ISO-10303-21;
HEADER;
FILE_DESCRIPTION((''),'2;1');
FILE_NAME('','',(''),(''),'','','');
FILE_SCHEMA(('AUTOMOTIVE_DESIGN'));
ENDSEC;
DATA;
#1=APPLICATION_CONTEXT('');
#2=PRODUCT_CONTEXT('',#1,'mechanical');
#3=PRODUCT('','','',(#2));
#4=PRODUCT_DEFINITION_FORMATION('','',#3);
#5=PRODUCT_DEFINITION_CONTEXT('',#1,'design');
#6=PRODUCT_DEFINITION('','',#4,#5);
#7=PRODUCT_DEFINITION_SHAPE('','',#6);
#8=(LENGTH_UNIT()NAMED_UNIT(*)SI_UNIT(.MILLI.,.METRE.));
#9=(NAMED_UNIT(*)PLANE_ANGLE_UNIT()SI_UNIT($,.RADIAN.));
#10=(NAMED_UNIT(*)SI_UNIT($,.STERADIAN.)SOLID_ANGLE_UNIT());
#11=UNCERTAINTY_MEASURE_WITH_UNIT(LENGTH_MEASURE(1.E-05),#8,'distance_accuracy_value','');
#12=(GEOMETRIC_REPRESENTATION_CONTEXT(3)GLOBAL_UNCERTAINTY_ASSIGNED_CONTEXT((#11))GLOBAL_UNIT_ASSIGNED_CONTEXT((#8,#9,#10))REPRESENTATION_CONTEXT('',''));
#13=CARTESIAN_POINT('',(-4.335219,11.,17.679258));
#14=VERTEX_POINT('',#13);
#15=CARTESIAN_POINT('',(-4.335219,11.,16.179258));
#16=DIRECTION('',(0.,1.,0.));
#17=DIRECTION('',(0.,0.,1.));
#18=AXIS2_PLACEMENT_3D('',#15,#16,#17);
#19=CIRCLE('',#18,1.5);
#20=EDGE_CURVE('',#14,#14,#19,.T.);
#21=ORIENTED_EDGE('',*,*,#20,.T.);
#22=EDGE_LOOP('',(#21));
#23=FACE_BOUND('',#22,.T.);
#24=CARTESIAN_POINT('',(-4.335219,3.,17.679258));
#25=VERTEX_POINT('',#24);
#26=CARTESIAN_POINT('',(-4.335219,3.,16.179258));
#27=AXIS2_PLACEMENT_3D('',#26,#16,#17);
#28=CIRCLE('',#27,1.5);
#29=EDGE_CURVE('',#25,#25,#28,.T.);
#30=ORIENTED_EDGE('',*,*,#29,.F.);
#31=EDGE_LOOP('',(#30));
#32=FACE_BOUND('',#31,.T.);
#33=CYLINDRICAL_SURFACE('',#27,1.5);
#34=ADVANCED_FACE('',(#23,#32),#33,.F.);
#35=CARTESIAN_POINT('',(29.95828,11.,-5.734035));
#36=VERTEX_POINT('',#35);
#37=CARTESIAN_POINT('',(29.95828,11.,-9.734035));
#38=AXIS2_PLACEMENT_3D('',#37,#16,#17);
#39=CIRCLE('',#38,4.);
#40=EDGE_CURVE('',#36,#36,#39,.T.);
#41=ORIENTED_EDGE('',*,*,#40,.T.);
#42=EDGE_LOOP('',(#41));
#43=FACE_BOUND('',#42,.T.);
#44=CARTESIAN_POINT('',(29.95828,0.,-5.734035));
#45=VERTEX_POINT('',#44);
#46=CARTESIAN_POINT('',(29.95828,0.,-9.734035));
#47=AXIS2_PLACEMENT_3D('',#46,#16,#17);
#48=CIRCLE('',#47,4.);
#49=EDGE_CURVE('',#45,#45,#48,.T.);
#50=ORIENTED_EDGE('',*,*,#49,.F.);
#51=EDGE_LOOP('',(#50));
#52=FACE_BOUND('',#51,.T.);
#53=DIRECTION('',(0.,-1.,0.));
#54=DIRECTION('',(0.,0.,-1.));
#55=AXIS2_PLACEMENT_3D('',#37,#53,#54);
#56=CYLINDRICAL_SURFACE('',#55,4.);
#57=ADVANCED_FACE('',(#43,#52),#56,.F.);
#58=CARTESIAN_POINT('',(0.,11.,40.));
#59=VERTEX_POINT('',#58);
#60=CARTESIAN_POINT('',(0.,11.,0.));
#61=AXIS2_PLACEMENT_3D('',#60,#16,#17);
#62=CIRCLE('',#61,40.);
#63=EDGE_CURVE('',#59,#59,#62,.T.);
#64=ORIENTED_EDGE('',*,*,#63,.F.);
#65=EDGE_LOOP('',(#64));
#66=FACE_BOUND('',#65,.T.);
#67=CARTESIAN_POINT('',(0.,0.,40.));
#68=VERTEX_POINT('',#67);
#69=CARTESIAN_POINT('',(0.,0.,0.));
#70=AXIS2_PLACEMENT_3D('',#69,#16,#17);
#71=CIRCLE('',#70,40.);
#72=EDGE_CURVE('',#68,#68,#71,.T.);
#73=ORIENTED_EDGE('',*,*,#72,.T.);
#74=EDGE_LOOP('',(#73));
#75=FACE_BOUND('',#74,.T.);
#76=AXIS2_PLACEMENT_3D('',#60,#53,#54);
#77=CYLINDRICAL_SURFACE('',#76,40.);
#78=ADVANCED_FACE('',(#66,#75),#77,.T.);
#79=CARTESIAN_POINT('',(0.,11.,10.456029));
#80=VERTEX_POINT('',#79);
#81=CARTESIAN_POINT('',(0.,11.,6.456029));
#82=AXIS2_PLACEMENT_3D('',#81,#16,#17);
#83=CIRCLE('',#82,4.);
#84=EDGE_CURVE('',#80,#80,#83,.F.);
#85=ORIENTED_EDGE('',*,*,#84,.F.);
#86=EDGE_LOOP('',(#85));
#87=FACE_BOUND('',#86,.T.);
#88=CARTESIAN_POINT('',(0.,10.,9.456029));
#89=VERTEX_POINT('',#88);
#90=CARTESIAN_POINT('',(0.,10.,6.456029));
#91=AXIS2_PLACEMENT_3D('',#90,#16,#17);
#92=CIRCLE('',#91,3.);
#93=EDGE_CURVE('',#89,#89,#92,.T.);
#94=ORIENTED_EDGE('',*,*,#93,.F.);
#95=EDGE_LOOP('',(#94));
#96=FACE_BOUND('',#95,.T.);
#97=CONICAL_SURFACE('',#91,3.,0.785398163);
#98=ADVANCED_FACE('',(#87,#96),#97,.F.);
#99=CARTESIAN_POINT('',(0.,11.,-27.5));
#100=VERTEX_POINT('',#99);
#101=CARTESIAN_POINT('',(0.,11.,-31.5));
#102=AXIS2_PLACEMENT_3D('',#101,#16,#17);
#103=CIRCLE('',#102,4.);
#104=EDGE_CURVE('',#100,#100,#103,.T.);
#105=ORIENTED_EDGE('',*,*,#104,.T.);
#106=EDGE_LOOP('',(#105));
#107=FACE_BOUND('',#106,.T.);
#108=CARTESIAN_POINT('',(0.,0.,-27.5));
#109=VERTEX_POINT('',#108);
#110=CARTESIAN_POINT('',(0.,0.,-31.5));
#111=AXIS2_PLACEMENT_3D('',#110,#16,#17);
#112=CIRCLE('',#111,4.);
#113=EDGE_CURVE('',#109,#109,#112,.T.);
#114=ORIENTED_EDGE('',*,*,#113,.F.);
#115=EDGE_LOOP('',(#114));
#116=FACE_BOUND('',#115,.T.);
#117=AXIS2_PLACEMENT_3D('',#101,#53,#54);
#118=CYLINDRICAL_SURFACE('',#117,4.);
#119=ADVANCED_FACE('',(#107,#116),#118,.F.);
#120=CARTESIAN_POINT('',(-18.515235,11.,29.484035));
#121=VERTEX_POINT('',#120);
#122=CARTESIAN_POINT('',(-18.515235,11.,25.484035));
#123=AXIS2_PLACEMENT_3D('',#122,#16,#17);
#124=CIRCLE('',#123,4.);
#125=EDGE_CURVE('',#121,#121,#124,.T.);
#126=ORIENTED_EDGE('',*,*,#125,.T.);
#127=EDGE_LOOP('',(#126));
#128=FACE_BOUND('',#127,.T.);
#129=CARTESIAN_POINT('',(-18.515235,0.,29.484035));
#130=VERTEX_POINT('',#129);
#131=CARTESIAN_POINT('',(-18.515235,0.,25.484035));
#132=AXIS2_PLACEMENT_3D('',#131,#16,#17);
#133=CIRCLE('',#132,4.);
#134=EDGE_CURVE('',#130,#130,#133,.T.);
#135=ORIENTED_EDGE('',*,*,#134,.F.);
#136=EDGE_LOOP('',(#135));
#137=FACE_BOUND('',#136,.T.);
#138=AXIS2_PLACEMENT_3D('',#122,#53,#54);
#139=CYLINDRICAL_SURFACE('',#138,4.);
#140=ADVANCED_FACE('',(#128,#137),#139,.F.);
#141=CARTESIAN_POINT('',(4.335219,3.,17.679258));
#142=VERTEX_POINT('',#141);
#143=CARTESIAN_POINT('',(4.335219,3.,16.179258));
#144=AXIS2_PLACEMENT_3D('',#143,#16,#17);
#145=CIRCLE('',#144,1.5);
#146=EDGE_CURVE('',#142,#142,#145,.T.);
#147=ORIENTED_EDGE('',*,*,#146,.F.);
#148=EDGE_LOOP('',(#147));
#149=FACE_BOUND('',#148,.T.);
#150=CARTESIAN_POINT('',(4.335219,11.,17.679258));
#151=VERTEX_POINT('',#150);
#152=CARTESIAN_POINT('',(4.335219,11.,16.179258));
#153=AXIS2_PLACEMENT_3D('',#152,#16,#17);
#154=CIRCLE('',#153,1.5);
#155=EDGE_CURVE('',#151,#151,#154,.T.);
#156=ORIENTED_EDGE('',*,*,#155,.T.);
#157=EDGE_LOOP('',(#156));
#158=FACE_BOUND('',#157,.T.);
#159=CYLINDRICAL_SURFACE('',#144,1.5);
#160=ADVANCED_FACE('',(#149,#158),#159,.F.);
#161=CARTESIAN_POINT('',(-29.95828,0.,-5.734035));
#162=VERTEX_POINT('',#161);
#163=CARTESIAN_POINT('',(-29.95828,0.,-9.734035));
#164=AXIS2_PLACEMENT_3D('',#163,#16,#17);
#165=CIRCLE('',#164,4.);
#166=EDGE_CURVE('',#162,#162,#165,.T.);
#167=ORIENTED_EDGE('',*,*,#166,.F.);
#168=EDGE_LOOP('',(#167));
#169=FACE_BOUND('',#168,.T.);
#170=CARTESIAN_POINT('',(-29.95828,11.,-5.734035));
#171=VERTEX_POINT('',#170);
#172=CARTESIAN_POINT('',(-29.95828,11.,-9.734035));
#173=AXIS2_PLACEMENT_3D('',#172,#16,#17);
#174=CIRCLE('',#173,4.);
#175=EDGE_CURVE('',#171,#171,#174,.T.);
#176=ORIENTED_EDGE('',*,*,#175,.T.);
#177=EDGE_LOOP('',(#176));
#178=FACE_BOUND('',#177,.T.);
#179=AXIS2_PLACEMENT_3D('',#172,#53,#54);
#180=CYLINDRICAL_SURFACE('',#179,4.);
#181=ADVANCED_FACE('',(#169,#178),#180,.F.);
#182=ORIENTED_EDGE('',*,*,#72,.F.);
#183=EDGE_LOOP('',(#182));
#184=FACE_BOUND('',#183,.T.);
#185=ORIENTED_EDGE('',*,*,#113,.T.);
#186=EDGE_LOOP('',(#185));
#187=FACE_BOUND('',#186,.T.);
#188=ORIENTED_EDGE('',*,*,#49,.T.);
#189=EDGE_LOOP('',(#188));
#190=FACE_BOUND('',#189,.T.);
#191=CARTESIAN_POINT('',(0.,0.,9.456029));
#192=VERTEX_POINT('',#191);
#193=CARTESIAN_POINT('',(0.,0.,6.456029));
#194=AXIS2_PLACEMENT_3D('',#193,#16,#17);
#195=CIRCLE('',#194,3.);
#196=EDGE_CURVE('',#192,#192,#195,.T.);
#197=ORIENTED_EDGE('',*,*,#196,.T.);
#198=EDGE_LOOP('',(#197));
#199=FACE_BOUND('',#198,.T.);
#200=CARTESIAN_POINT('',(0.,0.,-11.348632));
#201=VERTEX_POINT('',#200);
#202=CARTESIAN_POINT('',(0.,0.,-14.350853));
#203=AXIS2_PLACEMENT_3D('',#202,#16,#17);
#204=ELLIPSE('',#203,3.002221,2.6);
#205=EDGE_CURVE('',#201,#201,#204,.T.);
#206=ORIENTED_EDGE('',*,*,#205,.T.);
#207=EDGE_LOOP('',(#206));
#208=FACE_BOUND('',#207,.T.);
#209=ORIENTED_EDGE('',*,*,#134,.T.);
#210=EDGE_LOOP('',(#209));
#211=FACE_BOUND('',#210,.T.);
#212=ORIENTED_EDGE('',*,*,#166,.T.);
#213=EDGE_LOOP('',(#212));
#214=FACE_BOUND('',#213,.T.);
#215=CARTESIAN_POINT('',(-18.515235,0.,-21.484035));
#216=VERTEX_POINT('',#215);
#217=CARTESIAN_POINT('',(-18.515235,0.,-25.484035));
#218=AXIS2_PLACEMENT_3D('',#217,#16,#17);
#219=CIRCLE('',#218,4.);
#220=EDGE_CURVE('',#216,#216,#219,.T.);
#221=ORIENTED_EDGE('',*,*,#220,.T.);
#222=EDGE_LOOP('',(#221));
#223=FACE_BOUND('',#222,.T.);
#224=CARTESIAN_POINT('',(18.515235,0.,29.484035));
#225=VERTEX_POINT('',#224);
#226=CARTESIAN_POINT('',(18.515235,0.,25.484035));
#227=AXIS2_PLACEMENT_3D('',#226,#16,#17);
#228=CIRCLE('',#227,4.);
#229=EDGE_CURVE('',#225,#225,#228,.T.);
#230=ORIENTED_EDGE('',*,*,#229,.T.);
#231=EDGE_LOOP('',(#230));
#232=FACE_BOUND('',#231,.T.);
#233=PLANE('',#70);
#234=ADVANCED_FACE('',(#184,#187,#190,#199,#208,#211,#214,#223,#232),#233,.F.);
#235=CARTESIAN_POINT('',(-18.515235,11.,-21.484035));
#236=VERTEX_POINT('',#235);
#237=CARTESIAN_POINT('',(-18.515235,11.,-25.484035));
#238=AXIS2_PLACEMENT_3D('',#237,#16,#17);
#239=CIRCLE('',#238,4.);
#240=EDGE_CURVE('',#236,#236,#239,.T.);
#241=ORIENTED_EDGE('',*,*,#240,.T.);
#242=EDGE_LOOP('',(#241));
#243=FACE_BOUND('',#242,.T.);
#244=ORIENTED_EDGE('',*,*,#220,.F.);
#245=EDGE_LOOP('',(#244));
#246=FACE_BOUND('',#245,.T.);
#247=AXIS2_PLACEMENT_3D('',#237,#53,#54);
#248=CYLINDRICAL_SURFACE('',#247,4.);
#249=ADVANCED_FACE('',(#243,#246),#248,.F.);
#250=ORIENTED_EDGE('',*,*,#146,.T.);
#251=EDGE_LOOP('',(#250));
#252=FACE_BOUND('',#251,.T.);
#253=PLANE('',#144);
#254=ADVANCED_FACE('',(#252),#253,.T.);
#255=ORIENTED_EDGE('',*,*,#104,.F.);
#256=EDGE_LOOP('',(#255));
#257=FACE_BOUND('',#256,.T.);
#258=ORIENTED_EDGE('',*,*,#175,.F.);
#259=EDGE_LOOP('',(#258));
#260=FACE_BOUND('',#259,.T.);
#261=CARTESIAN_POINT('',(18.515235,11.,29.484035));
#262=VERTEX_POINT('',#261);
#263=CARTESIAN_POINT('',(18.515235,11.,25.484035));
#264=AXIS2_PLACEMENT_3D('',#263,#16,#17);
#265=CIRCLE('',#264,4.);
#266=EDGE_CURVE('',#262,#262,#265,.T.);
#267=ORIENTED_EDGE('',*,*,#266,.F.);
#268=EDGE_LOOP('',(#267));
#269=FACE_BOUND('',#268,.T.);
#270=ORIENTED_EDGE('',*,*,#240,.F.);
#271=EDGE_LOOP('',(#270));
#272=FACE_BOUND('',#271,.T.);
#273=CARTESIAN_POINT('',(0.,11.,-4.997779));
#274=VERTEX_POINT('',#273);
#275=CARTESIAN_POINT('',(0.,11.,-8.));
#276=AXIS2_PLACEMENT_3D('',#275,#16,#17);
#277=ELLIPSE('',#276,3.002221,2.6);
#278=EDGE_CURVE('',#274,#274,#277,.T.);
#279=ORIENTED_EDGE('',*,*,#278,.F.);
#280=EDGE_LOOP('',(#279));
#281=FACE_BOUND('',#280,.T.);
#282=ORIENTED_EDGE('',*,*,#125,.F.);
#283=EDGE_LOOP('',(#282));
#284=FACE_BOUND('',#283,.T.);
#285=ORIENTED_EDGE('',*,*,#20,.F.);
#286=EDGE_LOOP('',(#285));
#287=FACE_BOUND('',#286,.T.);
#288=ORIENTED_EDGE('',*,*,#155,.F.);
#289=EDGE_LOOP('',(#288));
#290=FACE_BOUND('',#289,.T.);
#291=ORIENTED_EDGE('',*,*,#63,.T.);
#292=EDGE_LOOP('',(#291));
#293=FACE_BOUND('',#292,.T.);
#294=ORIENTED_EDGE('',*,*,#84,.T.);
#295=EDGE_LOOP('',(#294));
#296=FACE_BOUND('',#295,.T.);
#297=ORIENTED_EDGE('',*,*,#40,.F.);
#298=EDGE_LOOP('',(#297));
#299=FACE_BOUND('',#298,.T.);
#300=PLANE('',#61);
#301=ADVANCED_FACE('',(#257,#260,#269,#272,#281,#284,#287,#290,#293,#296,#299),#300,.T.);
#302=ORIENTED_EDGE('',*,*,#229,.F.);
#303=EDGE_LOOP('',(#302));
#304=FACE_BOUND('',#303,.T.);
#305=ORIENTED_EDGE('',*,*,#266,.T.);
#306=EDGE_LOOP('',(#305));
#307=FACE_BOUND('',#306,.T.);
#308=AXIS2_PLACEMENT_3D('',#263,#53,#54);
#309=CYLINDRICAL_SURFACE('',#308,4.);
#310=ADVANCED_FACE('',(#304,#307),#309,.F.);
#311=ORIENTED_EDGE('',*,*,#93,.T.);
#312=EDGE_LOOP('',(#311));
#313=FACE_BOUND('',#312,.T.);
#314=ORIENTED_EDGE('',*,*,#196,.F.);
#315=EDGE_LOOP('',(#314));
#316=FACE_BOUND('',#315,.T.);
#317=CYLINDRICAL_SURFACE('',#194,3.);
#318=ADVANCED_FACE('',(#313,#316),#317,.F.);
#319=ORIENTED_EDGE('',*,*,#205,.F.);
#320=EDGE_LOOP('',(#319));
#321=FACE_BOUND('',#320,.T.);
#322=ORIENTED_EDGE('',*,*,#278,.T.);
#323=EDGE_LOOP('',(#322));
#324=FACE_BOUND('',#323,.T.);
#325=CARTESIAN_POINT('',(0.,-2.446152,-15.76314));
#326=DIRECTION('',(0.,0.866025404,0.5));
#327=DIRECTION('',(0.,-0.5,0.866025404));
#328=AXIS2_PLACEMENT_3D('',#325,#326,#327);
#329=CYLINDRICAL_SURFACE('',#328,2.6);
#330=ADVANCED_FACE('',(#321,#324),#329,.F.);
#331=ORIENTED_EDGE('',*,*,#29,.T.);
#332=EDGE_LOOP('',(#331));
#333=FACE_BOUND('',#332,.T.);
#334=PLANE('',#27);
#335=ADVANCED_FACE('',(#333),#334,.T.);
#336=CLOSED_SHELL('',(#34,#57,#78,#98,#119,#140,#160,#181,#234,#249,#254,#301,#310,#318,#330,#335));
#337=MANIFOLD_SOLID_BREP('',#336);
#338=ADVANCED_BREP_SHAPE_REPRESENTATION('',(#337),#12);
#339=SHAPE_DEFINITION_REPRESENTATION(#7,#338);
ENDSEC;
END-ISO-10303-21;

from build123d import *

# Parameters (mm, degrees)
SKETCH_1_R          = 40
SKETCH_1_R_2        = 4
EXTRUDE_1_DEPTH     = 11
SKETCH_3_R          = 3
CUT_EXTRUDE_1_DEPTH = 58.628118137
CHAMFER_1_SIZE      = 1
SKETCH_6_R          = 2.6
CUT_EXTRUDE_2_DEPTH = 10
SKETCH_7_R          = 1.5
CUT_EXTRUDE_3_DEPTH = 8


with BuildPart() as part:
    # 草图1 → 凸台-拉伸1 (new body)
    with BuildSketch(Plane(origin=(0, 0, 0), x_dir=(1, 0, 0), z_dir=(0, 1, 0))):
        Circle(SKETCH_1_R)
        with Locations((0, 31.5)):
            Circle(SKETCH_1_R_2, mode=Mode.SUBTRACT)
        with Locations((29.958280263, 9.734035323)):
            Circle(SKETCH_1_R_2, mode=Mode.SUBTRACT)
        with Locations((18.515235447, -25.484035323)):
            Circle(SKETCH_1_R_2, mode=Mode.SUBTRACT)
        with Locations((-18.515235447, -25.484035323)):
            Circle(SKETCH_1_R_2, mode=Mode.SUBTRACT)
        with Locations((-29.958280263, 9.734035323)):
            Circle(SKETCH_1_R_2, mode=Mode.SUBTRACT)
        with Locations((-18.515235447, 25.484035323)):
            Circle(SKETCH_1_R_2, mode=Mode.SUBTRACT)
    extrude(amount=EXTRUDE_1_DEPTH)

    # 草图3 → 切除-拉伸1 (cut, through all)
    with BuildSketch(Plane(origin=(0, 11, 0), x_dir=(1, 0, 0), z_dir=(0, 1, 0))):
        with Locations((0, -6.456029322)):
            Circle(SKETCH_3_R)
    extrude(amount=-CUT_EXTRUDE_1_DEPTH, mode=Mode.SUBTRACT)

    # 倒角1
    chamfer_1_edges = [part.edges().sort_by_distance(p)[0] for p in [
        (-3, 11, 6.456029322),
    ]]
    chamfer(chamfer_1_edges, length=CHAMFER_1_SIZE)

    # 草图6 → 切除-拉伸2 (cut, symmetric)
    with BuildSketch(Plane(origin=(0, 0, 0), x_dir=(1, 0, 0), z_dir=(0, 0.8660254037844398, 0.499999999999998))):
        with Locations((0, 12.42820323)):
            Circle(SKETCH_6_R)
    extrude(amount=CUT_EXTRUDE_2_DEPTH, both=True, mode=Mode.SUBTRACT)

    # 草图7 → 切除-拉伸3 (cut)
    with BuildSketch(Plane(origin=(0, 11, 0), x_dir=(1, 0, 0), z_dir=(0, 1, 0))):
        with Locations((-4.335219005, -16.17925759)):
            Circle(SKETCH_7_R)
        with Locations((4.335219005, -16.17925759)):
            Circle(SKETCH_7_R)
    extrude(amount=-CUT_EXTRUDE_3_DEPTH, mode=Mode.SUBTRACT)


solid = part.part
